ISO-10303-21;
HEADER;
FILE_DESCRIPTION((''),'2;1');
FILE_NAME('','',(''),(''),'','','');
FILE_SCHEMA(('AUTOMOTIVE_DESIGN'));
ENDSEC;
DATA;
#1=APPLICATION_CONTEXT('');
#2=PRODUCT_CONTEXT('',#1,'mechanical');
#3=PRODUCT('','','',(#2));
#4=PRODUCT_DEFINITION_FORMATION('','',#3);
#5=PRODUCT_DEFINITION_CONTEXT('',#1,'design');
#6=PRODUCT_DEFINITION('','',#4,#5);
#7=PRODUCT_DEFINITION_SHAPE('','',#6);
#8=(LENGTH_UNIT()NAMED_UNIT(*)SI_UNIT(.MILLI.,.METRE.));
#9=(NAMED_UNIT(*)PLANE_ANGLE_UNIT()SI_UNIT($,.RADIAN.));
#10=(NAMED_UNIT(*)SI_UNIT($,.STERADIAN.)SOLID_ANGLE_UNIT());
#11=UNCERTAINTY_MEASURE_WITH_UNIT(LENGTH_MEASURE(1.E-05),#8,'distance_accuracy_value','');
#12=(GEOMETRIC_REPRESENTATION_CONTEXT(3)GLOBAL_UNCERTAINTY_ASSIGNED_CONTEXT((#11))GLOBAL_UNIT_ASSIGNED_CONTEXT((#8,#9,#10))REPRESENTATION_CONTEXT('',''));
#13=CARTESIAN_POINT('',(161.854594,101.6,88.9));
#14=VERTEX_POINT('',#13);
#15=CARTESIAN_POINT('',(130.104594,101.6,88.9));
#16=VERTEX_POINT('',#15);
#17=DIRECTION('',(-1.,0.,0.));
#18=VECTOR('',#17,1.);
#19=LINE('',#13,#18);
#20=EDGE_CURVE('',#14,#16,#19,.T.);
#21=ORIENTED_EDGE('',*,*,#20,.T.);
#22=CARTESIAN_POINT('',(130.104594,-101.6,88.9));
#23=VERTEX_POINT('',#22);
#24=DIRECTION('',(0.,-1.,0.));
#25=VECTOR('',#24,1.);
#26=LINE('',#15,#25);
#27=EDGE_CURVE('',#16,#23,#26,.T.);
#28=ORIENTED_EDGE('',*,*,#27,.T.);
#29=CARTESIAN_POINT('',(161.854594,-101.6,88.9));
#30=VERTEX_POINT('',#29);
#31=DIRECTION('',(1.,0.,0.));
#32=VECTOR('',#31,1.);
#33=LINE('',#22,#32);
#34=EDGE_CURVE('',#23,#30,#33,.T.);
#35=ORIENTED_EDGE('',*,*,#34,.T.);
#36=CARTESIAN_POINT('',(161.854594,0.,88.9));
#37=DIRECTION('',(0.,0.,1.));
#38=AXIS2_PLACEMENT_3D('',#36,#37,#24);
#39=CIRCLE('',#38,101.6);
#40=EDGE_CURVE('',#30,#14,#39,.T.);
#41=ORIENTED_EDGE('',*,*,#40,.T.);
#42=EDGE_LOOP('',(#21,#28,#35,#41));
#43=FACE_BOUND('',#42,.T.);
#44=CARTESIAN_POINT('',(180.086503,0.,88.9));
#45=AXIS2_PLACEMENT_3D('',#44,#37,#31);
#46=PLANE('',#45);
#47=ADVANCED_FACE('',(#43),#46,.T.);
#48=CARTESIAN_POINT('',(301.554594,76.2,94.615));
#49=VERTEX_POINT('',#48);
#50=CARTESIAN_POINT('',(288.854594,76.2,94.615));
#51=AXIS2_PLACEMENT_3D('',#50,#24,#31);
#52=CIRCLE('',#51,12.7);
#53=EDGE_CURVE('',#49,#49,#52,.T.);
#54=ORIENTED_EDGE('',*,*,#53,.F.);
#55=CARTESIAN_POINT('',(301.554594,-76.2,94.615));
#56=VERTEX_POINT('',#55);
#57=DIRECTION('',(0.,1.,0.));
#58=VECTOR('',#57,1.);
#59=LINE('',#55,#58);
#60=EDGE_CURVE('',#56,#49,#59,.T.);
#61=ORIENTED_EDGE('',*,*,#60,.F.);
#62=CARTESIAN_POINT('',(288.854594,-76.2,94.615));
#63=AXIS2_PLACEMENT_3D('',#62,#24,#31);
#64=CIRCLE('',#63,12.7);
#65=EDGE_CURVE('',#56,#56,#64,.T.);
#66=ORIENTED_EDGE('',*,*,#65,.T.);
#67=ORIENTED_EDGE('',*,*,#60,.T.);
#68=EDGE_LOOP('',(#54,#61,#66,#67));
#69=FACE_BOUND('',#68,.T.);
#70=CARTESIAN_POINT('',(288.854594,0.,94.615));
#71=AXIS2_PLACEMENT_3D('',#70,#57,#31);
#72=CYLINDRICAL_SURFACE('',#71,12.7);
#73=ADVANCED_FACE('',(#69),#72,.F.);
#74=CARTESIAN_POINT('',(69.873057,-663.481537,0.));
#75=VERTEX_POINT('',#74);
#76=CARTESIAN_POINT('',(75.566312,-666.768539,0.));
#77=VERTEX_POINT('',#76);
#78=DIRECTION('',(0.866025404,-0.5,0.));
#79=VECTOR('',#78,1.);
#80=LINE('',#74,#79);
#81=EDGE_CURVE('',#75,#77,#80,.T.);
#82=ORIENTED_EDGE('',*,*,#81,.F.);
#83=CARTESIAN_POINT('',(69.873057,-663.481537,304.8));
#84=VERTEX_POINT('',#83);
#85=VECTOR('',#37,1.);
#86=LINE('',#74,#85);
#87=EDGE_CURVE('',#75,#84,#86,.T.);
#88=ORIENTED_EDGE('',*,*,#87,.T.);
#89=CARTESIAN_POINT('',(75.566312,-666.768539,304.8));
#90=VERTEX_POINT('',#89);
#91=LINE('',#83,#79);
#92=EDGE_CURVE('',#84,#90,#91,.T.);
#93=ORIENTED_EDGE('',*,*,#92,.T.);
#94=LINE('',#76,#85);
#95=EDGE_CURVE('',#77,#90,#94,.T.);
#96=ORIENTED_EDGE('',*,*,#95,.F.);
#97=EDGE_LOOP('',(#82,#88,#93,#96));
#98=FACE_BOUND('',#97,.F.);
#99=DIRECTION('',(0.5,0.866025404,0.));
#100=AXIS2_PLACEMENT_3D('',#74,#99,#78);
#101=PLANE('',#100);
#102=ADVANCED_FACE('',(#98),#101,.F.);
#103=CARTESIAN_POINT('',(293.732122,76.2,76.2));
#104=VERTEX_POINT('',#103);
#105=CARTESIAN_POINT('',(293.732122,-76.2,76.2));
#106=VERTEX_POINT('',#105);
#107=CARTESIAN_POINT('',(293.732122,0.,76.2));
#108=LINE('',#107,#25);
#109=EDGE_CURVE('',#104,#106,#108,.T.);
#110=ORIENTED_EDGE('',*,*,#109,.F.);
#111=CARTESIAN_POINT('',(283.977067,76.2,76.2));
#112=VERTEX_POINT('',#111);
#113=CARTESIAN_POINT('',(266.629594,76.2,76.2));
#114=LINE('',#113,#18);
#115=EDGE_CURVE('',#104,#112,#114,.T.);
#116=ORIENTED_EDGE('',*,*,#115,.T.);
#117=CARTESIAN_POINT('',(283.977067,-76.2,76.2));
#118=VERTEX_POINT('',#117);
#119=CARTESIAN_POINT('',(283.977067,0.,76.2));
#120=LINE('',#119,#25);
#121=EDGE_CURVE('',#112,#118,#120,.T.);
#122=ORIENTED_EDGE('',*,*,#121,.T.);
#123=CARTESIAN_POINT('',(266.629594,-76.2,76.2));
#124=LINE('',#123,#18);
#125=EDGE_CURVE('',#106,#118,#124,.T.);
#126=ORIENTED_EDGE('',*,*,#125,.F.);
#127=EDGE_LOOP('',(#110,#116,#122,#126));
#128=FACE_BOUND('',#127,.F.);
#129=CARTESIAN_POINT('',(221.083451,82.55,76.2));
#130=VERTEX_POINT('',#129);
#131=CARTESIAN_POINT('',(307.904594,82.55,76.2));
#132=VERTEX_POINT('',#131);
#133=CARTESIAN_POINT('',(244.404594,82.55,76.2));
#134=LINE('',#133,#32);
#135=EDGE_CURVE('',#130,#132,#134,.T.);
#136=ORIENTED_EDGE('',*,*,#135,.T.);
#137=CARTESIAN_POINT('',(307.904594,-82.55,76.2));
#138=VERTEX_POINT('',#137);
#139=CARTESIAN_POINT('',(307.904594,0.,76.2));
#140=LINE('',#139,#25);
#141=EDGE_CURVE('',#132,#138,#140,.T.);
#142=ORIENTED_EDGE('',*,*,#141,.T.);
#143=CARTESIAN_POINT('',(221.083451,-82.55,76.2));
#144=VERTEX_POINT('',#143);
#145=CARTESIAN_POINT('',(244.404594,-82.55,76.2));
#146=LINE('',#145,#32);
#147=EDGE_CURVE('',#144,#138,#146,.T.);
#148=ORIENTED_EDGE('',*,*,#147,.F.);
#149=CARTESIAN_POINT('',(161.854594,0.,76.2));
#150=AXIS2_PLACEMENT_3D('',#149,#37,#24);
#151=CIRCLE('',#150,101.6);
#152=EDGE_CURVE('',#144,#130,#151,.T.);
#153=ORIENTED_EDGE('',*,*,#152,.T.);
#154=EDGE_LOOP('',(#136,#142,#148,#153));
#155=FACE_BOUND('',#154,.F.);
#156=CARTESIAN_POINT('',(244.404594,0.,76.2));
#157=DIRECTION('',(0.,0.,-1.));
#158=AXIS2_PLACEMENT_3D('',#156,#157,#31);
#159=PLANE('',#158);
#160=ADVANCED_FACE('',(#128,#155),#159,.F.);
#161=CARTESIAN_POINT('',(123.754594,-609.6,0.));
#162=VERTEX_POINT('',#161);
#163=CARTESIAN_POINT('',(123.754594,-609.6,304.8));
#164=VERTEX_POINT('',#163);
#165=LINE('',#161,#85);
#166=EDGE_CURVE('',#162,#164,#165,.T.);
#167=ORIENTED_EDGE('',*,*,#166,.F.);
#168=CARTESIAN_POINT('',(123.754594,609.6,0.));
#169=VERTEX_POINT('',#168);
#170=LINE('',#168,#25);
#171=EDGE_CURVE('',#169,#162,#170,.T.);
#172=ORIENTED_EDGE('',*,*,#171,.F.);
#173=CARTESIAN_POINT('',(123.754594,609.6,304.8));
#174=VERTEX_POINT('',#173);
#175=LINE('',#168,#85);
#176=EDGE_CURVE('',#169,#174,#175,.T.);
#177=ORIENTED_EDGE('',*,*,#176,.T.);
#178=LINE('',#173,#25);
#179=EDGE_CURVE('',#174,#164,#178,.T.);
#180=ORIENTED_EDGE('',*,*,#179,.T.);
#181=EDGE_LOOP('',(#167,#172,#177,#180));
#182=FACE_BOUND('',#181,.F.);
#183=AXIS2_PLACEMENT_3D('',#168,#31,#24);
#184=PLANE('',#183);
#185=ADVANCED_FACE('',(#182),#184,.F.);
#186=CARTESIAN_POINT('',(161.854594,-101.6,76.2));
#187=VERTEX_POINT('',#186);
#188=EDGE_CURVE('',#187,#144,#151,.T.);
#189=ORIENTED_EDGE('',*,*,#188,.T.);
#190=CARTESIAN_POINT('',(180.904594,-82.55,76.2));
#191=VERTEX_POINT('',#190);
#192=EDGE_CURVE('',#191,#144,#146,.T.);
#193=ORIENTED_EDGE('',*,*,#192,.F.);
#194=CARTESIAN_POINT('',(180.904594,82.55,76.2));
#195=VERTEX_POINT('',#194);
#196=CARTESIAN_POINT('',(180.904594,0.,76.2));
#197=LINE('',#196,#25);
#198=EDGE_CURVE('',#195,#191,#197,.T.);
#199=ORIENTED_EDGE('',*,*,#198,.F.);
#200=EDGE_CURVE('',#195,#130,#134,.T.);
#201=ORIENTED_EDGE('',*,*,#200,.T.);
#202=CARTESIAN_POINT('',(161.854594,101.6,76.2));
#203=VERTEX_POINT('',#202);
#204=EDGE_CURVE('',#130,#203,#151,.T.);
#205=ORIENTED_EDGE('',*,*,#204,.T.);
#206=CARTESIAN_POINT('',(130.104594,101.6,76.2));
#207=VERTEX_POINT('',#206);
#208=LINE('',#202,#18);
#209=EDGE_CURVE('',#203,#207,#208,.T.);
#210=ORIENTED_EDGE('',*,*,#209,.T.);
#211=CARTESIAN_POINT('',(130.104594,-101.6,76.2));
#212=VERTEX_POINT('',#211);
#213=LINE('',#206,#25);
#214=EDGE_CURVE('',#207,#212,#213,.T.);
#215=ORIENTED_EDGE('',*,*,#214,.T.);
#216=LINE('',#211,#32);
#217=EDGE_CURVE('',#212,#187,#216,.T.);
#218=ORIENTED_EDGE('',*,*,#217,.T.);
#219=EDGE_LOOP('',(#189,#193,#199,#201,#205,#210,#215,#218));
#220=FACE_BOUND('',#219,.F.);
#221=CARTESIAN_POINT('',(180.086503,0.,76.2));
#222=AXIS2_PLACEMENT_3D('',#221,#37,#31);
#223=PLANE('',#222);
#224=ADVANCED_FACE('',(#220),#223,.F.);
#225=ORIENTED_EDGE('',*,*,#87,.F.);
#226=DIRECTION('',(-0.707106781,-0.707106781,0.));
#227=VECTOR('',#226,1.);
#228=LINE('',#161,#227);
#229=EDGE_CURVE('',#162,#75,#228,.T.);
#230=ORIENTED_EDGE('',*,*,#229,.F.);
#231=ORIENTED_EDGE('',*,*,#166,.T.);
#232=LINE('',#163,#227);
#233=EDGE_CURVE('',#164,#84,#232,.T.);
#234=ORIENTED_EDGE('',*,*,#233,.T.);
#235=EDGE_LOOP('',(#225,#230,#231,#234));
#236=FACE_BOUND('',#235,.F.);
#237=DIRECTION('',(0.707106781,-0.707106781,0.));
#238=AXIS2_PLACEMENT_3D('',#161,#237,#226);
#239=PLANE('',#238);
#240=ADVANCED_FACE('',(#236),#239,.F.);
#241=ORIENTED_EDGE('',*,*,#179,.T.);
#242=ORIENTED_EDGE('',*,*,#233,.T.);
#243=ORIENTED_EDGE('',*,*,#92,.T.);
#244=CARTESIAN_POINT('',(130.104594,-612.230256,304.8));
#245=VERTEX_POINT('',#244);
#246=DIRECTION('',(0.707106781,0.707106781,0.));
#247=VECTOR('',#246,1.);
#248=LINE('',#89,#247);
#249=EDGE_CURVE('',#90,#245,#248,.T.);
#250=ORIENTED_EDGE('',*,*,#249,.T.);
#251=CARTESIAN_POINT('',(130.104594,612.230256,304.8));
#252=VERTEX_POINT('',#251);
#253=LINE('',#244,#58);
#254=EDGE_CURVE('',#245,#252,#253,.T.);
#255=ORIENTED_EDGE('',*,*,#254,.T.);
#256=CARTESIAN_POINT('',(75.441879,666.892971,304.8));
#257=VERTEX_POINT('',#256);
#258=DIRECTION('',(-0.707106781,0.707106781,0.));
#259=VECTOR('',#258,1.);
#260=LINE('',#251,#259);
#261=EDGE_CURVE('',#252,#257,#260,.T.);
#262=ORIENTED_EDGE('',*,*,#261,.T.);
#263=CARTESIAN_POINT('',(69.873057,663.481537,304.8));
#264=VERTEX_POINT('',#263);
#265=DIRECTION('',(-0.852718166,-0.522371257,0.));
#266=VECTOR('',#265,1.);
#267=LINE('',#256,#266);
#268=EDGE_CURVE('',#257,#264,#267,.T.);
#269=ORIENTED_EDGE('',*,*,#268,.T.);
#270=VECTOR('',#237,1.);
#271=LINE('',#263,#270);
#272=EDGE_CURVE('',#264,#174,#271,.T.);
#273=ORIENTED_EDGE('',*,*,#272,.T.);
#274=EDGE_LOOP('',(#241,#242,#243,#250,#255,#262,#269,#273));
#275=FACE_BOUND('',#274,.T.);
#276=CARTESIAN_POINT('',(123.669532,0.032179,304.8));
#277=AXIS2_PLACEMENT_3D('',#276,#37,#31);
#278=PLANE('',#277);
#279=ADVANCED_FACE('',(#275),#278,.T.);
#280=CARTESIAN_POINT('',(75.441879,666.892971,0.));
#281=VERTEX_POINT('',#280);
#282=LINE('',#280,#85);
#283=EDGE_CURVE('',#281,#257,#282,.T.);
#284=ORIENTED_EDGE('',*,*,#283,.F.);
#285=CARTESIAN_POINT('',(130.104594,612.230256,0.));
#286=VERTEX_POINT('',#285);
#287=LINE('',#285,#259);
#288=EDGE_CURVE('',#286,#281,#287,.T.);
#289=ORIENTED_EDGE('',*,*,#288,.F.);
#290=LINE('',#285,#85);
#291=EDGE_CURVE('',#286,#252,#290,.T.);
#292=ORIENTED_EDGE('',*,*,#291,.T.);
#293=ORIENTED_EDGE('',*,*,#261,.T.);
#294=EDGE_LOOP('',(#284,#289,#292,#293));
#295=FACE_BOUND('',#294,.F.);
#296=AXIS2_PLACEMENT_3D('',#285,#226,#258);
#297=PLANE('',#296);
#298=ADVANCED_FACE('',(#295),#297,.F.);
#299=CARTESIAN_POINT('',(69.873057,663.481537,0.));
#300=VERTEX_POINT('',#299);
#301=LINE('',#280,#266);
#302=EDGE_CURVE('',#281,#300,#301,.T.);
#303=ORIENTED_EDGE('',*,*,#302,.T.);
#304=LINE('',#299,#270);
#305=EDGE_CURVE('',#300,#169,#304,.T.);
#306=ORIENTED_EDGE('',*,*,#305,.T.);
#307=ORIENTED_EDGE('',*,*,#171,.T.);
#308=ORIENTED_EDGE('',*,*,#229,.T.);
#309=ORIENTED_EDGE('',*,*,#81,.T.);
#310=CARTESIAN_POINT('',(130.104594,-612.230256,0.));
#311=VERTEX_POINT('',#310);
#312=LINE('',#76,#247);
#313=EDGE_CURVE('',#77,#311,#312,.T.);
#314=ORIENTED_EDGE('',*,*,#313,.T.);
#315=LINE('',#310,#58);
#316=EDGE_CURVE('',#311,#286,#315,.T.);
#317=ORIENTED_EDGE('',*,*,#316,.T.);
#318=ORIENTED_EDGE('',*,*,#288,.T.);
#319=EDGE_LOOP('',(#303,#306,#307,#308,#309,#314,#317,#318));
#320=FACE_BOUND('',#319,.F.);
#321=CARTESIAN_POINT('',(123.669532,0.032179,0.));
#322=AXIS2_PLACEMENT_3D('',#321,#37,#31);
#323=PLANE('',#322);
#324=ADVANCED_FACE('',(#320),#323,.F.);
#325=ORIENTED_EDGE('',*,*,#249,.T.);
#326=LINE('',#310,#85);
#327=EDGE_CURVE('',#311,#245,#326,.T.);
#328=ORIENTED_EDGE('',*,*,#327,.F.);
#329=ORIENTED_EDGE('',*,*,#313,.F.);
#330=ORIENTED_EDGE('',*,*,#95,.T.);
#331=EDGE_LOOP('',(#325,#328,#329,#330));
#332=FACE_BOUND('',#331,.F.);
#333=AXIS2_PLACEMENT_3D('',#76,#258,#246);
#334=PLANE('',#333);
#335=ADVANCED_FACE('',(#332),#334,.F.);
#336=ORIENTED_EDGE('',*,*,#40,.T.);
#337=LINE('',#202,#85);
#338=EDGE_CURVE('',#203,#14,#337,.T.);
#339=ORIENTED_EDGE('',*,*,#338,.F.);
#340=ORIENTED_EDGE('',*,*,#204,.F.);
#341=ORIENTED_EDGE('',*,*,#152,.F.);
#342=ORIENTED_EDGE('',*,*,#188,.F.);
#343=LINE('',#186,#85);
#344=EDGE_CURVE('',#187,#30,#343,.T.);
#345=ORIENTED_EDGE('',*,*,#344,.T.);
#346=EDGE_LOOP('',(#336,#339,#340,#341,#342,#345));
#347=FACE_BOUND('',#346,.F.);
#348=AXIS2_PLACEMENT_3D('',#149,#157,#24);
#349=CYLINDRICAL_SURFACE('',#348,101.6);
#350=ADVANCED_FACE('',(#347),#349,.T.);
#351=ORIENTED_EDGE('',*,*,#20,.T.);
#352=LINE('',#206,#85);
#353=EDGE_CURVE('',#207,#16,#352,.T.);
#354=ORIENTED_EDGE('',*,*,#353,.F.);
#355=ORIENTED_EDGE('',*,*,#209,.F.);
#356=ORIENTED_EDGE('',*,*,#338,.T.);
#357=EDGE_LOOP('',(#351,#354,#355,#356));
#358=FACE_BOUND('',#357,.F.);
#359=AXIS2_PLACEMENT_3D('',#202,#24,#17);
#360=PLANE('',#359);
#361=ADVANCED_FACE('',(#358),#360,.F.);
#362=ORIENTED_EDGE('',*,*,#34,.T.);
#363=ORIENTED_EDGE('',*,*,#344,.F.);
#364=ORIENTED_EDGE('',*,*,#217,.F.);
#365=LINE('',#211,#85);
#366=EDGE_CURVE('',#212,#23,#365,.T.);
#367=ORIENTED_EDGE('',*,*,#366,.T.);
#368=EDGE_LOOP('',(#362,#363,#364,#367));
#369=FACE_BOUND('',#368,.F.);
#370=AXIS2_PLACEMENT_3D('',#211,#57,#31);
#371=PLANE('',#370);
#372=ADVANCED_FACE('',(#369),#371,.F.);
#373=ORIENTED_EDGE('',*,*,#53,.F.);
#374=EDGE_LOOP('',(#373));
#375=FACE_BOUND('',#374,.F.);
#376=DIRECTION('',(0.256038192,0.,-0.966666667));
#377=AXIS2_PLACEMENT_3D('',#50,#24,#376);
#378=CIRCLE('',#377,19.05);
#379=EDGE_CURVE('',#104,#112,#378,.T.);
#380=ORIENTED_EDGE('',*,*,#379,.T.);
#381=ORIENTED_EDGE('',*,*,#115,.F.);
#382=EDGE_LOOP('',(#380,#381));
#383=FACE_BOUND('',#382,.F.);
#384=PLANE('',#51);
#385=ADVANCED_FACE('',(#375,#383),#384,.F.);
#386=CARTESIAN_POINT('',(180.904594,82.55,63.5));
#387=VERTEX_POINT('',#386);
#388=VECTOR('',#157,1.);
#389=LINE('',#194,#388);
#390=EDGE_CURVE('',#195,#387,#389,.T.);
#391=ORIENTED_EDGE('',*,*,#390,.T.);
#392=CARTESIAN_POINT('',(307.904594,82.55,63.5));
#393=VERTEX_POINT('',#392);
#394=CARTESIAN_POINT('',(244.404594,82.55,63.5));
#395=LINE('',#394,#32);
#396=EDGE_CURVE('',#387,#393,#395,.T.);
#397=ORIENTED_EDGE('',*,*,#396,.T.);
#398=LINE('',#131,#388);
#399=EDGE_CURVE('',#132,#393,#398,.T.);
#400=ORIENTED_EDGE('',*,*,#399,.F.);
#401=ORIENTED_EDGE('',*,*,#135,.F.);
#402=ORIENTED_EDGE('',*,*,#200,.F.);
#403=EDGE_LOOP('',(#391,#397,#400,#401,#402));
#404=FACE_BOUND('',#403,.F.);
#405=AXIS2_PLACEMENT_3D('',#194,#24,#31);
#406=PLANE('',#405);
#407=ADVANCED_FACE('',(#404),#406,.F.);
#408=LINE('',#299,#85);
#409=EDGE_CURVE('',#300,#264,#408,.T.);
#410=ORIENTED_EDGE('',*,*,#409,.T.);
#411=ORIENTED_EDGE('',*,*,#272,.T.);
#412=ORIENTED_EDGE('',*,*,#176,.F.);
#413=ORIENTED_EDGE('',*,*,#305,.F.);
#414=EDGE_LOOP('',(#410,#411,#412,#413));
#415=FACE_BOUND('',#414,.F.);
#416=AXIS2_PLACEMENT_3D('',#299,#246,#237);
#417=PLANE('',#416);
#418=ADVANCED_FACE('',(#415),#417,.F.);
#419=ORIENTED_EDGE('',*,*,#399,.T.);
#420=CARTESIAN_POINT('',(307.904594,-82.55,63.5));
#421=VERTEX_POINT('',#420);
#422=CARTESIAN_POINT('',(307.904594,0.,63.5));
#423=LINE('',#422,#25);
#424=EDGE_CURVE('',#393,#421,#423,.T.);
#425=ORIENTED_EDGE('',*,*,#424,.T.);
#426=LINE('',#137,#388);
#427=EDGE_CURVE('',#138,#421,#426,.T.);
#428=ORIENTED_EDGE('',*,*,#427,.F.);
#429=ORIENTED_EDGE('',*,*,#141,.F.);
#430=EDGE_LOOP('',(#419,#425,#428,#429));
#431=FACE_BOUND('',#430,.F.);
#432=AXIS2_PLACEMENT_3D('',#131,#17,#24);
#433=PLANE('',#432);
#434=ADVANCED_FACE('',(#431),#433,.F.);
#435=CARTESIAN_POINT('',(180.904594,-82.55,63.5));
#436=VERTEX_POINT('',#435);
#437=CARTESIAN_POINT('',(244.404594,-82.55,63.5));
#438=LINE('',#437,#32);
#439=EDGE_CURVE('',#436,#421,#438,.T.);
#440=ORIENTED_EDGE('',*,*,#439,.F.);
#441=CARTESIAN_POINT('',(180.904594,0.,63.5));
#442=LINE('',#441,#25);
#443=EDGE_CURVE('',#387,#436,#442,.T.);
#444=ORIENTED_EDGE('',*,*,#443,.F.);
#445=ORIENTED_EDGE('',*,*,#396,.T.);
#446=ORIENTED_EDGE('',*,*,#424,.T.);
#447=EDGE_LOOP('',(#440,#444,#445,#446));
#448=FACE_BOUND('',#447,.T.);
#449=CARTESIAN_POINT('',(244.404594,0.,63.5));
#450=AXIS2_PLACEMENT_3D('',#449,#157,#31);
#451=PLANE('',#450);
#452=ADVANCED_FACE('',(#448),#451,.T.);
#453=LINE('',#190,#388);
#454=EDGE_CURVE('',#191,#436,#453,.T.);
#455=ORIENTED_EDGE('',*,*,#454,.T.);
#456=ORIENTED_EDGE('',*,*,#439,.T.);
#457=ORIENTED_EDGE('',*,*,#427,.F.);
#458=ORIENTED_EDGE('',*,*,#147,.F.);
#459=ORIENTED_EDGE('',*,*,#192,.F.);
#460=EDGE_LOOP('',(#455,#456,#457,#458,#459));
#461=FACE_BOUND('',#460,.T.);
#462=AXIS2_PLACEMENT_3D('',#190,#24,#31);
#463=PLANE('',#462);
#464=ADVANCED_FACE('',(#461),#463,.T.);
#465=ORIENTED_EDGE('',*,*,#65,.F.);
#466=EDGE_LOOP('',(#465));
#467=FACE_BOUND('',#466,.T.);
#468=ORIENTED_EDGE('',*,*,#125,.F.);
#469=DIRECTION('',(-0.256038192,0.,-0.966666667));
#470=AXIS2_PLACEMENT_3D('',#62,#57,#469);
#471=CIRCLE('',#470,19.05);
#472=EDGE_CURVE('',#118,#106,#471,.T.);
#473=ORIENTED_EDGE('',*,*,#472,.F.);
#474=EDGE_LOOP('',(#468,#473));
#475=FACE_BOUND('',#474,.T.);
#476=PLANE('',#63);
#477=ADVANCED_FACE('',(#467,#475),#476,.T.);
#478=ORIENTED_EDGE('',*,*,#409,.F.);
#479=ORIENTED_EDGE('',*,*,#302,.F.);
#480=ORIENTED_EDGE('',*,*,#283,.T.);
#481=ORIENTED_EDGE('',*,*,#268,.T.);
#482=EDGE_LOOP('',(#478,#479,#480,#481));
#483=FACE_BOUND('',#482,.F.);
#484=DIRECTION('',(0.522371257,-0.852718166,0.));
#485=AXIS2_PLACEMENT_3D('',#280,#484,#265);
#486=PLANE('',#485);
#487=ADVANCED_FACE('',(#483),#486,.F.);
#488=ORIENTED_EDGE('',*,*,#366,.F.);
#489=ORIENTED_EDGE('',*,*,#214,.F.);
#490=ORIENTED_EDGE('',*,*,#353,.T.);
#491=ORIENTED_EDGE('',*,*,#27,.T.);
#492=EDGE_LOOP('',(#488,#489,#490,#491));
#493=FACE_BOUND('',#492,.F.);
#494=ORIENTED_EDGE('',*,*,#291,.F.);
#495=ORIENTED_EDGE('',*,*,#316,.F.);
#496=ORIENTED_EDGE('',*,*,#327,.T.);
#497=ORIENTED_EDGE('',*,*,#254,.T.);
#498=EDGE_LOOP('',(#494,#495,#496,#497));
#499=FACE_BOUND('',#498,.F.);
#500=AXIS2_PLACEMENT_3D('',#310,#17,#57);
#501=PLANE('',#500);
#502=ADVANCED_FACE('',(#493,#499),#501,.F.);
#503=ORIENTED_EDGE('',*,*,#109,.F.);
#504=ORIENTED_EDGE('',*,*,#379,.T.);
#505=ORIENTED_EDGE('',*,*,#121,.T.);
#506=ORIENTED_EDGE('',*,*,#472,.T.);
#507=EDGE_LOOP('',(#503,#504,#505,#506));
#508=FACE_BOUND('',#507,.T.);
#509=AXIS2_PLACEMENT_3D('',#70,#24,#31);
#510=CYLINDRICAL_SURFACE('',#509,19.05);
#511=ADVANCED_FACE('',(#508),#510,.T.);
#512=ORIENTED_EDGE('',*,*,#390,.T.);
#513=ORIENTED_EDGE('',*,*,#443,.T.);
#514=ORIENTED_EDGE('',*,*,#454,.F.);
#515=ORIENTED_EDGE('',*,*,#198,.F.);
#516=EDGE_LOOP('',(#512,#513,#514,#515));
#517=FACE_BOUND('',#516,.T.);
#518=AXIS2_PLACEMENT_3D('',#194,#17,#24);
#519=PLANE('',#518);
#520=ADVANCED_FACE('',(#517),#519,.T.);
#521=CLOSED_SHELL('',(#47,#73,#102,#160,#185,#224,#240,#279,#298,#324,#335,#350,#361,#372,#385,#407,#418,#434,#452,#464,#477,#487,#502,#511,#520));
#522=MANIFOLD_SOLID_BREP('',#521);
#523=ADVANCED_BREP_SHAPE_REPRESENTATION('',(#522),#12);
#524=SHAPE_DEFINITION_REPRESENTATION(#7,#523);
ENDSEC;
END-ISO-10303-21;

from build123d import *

# Parameters (mm, degrees)
F1_DEPTH = 304.8
F4_DEPTH = 12.7
F5_W     = 127
F5_H     = 165.1
F6_DEPTH = 12.7
F7_R     = 19.05
F7_R_2   = 12.7
F8_DEPTH = 76.2


with BuildPart() as f1:
    # F0 (on Top) → F1 (new body)
    with BuildSketch(Plane.XY):
        Polygon((123.7545942165, 609.6), (123.7545942165, -609.6), (69.8730574901, -663.4815367264), (75.5663116695, -666.7685385595), (130.1045942165, -612.2302560125), (130.1045942165, 612.2302561211), (75.4418789804, 666.8929713571), (69.8730574901, 663.4815367264), align=None)
    extrude(amount=F1_DEPTH)

    # F3 (on offset) → F4 (join)
    with BuildSketch(Plane.XY.offset(76.2)):
        with BuildLine():
            Line((130.1045942165, 101.6), (130.1045942165, -101.6))
            Line((130.1045942165, -101.6), (161.8545942165, -101.6))
            ThreePointArc((161.8545942165, -101.6), (263.4545942165, 0), (161.8545942165, 101.6))
            Line((161.8545942165, 101.6), (130.1045942165, 101.6))
        make_face()
    extrude(amount=F4_DEPTH)

    # F5 (on face) → F6 (join)
    with BuildSketch(Plane(origin=(0, 0, 76.2), x_dir=(1, 0, 0), z_dir=(0, 0, -1))):
        with Locations((244.4045942165, 0)):
            Rectangle(F5_W, F5_H)
    extrude(amount=F6_DEPTH)

    # F7 (on Front) → F8 (join, symmetric)
    with BuildSketch(Plane.XZ):
        with Locations((288.8545942165, 94.615)):
            Circle(F7_R)
        with Locations((288.8545942165, 94.615)):
            Circle(F7_R_2, mode=Mode.SUBTRACT)
    extrude(amount=F8_DEPTH, both=True)


solid = f1.part
